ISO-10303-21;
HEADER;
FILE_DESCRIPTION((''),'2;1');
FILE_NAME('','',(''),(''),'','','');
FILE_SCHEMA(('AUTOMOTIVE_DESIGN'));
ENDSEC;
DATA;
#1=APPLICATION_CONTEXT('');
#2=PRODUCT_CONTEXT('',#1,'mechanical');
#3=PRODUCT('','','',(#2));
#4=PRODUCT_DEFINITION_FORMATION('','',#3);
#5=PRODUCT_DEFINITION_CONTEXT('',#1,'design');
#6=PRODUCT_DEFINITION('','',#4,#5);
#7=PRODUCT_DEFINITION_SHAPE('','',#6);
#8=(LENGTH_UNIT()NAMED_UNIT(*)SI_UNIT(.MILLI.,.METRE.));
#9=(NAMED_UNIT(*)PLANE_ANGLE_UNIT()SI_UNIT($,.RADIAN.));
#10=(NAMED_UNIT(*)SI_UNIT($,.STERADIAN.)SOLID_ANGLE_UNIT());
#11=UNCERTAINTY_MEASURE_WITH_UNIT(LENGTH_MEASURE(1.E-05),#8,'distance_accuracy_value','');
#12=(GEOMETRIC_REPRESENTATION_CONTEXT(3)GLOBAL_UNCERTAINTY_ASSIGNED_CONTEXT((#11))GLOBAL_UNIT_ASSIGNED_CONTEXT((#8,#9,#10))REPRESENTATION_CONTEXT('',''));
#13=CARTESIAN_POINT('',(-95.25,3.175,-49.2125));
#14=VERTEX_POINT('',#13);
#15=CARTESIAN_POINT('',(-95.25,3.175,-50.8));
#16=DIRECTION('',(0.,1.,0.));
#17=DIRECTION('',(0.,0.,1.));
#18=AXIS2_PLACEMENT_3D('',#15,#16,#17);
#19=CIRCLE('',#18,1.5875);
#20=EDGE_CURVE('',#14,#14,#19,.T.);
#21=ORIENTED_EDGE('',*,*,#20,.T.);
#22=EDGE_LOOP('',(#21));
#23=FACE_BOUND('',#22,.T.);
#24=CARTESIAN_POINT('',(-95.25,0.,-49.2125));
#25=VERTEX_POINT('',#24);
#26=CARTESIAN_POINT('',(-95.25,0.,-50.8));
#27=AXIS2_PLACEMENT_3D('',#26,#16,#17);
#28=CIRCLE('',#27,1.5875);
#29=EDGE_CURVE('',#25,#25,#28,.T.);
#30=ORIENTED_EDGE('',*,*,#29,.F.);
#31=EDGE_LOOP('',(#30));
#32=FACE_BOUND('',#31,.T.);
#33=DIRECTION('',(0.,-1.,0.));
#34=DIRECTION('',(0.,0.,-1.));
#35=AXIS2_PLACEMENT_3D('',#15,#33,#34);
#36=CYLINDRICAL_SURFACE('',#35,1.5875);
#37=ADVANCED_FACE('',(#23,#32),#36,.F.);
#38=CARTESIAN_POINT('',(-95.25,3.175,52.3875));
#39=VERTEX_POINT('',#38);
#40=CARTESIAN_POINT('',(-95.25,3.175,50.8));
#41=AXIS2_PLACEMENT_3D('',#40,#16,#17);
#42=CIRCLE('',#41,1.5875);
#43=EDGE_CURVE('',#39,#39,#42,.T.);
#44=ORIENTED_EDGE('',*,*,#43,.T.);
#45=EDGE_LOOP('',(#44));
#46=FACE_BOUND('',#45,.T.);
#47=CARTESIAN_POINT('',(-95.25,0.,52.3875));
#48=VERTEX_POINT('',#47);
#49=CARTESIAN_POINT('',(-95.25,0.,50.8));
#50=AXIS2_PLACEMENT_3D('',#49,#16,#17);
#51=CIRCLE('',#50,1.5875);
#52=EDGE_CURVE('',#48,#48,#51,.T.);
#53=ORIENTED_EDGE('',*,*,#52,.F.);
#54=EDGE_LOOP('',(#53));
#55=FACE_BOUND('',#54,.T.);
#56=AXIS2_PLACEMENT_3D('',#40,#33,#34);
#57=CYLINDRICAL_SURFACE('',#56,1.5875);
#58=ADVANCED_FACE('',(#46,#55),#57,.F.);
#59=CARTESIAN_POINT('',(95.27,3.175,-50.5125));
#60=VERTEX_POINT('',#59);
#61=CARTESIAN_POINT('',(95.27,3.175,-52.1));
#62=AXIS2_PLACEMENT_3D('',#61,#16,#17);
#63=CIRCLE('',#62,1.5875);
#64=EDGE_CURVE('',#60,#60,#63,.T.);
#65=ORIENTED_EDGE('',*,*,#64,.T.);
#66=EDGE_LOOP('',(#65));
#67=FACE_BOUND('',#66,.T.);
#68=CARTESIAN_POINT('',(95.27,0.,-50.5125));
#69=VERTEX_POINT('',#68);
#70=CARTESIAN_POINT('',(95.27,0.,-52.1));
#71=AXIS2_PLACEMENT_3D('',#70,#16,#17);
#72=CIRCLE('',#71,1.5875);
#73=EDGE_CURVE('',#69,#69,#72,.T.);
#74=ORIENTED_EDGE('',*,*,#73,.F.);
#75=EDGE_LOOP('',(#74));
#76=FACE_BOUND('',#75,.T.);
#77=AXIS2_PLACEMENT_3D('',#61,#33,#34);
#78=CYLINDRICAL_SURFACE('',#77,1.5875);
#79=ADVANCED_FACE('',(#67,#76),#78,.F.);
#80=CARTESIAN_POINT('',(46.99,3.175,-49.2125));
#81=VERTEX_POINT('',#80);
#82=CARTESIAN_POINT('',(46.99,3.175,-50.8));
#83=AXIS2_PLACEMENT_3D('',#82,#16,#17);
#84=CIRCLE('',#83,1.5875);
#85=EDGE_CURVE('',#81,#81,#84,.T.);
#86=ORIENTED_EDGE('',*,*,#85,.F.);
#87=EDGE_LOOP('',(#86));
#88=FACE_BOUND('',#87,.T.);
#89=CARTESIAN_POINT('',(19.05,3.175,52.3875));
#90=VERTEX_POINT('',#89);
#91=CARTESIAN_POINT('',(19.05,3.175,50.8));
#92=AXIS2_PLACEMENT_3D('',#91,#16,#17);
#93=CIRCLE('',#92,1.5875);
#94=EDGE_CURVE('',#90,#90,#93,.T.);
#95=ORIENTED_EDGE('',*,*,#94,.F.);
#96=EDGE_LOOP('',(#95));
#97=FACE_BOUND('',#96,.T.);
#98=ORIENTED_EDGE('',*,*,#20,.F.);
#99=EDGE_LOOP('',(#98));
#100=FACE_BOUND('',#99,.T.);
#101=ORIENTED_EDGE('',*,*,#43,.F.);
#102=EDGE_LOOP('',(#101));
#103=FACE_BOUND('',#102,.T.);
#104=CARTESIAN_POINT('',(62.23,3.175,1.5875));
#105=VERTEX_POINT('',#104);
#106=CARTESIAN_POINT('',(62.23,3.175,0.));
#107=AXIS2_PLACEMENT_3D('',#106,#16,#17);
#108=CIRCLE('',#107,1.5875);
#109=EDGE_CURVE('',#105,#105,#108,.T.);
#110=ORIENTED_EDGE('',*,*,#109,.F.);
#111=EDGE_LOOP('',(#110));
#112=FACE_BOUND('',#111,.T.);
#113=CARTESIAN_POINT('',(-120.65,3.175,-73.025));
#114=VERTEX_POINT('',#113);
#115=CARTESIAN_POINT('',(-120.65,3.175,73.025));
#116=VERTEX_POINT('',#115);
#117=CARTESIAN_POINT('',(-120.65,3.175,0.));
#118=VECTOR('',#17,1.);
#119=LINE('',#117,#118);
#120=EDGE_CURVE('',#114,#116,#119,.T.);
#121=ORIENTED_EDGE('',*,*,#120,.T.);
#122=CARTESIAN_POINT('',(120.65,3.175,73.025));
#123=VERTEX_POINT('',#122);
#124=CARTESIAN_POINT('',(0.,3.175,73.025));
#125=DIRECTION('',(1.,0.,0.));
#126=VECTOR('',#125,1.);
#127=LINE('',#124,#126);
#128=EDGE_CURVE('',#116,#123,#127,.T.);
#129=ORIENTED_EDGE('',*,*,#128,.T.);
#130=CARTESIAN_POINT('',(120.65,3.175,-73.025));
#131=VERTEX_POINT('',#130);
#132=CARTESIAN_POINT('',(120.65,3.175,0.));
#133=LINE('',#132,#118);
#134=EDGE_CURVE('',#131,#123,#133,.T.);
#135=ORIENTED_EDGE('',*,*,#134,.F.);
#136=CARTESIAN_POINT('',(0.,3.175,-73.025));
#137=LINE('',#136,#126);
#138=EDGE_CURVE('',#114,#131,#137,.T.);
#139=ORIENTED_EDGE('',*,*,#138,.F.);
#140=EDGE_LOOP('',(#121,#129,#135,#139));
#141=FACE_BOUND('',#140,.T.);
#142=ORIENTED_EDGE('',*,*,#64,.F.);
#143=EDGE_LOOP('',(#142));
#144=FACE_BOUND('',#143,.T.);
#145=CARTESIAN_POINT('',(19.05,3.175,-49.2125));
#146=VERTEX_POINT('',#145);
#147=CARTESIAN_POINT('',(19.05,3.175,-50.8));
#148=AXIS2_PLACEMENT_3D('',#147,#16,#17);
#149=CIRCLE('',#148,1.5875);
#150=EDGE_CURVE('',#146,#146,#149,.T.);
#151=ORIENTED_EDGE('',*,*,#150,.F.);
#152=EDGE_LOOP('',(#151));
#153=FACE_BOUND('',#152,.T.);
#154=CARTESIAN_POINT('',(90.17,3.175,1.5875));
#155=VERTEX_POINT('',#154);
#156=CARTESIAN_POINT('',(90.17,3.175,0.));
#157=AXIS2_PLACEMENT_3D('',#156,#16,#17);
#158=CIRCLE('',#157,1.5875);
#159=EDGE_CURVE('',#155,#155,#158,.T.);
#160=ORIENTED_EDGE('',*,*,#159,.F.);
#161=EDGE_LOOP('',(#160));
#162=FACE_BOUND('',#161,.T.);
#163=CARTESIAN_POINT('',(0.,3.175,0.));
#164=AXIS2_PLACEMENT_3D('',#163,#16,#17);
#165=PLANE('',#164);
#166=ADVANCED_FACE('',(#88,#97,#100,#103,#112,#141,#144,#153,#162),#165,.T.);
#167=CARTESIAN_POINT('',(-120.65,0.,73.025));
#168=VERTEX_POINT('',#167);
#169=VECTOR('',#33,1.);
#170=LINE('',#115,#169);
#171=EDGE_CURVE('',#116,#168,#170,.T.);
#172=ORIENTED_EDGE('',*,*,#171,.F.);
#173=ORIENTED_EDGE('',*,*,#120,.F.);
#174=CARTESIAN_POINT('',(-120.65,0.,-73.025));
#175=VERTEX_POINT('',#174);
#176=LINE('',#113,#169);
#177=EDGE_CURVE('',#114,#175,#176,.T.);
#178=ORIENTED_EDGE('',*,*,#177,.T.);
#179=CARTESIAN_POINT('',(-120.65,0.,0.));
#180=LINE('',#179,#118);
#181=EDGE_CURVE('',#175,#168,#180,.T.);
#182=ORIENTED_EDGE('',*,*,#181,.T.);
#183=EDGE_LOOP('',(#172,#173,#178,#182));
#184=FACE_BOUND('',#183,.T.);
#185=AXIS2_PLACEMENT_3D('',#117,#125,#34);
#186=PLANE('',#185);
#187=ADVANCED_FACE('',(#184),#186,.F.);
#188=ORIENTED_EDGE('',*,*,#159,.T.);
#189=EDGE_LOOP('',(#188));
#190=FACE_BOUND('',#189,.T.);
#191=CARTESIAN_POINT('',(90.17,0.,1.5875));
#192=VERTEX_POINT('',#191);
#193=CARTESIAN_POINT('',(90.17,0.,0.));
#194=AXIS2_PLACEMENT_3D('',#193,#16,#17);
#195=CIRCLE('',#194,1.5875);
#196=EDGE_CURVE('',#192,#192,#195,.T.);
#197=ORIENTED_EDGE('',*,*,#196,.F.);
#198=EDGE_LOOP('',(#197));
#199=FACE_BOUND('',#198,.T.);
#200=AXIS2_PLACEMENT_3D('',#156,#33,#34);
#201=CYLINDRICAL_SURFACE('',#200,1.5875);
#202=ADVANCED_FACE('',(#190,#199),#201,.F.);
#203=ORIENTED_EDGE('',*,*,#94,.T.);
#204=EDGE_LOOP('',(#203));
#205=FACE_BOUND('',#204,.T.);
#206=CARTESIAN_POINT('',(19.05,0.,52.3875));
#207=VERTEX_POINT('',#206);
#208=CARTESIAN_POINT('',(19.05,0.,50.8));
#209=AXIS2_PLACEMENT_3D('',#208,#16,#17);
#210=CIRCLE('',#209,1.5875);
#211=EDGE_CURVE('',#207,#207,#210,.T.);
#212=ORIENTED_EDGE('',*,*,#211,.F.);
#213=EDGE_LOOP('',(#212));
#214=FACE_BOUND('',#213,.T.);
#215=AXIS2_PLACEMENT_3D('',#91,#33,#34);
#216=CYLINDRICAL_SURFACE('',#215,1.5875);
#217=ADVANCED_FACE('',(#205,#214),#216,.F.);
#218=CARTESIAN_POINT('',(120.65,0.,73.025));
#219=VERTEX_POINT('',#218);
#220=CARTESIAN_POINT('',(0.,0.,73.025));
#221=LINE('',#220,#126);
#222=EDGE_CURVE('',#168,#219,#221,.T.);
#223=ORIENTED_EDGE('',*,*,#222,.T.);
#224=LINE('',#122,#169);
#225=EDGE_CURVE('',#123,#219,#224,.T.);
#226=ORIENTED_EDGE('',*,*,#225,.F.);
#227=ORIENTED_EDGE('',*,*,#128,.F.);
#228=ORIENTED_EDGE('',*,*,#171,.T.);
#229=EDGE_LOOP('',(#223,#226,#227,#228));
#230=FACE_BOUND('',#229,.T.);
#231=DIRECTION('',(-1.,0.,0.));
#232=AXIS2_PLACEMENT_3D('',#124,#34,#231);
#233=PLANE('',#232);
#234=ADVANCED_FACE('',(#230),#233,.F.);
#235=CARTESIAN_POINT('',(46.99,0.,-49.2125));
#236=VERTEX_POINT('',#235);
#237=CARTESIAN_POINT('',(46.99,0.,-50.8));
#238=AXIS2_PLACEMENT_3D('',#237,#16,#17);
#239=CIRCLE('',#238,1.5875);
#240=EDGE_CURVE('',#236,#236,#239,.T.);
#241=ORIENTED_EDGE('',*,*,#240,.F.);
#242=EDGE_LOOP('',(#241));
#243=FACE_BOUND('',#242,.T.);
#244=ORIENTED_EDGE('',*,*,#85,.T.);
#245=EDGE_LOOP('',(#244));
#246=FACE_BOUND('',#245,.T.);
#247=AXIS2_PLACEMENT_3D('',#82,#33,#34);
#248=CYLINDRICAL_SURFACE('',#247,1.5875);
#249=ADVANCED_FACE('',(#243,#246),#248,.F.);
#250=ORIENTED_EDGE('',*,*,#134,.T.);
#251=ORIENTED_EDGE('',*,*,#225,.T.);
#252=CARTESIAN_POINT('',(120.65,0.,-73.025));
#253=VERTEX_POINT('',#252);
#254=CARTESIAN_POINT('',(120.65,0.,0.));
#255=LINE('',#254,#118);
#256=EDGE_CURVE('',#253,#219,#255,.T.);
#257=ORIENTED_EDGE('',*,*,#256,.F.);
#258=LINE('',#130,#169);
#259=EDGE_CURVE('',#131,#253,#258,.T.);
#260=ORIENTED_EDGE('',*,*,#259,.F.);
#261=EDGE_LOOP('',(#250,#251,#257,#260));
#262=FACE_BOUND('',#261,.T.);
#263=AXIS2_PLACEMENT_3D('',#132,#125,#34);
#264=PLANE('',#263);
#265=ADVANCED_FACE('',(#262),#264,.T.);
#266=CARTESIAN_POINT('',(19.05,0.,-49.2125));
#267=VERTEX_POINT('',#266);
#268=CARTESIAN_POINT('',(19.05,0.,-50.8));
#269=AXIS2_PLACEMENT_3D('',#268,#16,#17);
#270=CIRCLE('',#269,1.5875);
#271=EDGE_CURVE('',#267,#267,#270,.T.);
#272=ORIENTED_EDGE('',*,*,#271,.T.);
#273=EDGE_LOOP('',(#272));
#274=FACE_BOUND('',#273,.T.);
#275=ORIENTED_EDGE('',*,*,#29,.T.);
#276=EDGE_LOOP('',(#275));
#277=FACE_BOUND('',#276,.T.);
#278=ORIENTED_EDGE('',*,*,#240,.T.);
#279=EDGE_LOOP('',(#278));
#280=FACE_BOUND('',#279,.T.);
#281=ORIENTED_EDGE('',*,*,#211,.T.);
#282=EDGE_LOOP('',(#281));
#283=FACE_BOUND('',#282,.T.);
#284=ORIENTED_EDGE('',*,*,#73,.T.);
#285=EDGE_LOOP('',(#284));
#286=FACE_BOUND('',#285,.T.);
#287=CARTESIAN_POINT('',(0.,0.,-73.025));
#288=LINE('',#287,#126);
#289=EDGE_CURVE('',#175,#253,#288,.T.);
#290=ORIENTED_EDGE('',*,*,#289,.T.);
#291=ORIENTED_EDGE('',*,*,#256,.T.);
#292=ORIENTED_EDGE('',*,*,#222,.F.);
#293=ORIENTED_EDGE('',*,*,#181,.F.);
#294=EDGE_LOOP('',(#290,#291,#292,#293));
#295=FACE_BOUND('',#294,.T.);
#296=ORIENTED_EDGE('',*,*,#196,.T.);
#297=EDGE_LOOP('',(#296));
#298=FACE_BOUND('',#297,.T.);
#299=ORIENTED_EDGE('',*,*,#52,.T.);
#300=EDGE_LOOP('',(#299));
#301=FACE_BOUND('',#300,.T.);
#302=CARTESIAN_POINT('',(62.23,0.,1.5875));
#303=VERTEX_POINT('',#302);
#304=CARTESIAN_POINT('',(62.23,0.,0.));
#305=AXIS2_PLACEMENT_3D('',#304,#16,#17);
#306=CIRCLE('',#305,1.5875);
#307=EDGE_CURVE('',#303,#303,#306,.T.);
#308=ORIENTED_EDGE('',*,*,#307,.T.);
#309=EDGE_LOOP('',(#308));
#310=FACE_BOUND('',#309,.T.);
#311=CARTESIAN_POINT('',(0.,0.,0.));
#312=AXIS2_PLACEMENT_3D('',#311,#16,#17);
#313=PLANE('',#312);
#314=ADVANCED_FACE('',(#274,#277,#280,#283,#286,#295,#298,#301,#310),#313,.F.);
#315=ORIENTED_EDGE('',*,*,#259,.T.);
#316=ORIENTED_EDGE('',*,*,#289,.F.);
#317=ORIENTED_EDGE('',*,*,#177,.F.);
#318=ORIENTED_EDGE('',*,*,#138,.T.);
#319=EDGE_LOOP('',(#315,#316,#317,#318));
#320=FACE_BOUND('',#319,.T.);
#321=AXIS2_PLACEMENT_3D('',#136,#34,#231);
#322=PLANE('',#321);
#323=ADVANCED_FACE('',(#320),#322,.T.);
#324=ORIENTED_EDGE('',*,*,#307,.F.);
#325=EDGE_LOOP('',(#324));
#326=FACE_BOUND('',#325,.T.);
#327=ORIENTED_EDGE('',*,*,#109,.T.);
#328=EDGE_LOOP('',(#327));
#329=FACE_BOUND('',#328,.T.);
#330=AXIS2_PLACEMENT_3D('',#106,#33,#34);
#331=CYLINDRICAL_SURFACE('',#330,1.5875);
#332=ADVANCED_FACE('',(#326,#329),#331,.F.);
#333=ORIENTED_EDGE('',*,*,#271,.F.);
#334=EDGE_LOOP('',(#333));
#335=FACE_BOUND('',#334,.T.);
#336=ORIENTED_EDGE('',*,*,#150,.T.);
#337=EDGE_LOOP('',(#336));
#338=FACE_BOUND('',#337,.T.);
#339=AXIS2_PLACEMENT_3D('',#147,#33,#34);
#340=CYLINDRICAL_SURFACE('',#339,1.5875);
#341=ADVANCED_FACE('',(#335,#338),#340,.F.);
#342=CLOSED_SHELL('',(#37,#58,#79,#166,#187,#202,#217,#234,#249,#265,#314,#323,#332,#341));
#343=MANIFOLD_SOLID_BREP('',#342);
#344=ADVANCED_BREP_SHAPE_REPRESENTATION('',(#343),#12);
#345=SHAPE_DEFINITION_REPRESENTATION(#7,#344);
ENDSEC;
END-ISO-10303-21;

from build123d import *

# Parameters (mm, degrees)
SKETCH1_W           = 241.3
SKETCH1_H           = 146.05
SKETCH1_R           = 1.5875
BOSS_EXTRUDE1_DEPTH = 3.175


with BuildPart() as part:
    # Sketch1 → Boss-Extrude1 (new body)
    with BuildSketch(Plane(origin=(0, 0, 0), x_dir=(1, 0, 0), z_dir=(0, 1, 0))):
        Rectangle(SKETCH1_W, SKETCH1_H)
        with Locations((90.17, 0)):
            Circle(SKETCH1_R, mode=Mode.SUBTRACT)
        with Locations((62.23, 0)):
            Circle(SKETCH1_R, mode=Mode.SUBTRACT)
        with Locations((46.99, 50.8)):
            Circle(SKETCH1_R, mode=Mode.SUBTRACT)
        with Locations((95.27, 52.1)):
            Circle(SKETCH1_R, mode=Mode.SUBTRACT)
        with Locations((19.05, 50.8)):
            Circle(SKETCH1_R, mode=Mode.SUBTRACT)
        with Locations((19.05, -50.8)):
            Circle(SKETCH1_R, mode=Mode.SUBTRACT)
        with Locations((-95.25, -50.8)):
            Circle(SKETCH1_R, mode=Mode.SUBTRACT)
        with Locations((-95.25, 50.8)):
            Circle(SKETCH1_R, mode=Mode.SUBTRACT)
    extrude(amount=BOSS_EXTRUDE1_DEPTH)


solid = part.part
